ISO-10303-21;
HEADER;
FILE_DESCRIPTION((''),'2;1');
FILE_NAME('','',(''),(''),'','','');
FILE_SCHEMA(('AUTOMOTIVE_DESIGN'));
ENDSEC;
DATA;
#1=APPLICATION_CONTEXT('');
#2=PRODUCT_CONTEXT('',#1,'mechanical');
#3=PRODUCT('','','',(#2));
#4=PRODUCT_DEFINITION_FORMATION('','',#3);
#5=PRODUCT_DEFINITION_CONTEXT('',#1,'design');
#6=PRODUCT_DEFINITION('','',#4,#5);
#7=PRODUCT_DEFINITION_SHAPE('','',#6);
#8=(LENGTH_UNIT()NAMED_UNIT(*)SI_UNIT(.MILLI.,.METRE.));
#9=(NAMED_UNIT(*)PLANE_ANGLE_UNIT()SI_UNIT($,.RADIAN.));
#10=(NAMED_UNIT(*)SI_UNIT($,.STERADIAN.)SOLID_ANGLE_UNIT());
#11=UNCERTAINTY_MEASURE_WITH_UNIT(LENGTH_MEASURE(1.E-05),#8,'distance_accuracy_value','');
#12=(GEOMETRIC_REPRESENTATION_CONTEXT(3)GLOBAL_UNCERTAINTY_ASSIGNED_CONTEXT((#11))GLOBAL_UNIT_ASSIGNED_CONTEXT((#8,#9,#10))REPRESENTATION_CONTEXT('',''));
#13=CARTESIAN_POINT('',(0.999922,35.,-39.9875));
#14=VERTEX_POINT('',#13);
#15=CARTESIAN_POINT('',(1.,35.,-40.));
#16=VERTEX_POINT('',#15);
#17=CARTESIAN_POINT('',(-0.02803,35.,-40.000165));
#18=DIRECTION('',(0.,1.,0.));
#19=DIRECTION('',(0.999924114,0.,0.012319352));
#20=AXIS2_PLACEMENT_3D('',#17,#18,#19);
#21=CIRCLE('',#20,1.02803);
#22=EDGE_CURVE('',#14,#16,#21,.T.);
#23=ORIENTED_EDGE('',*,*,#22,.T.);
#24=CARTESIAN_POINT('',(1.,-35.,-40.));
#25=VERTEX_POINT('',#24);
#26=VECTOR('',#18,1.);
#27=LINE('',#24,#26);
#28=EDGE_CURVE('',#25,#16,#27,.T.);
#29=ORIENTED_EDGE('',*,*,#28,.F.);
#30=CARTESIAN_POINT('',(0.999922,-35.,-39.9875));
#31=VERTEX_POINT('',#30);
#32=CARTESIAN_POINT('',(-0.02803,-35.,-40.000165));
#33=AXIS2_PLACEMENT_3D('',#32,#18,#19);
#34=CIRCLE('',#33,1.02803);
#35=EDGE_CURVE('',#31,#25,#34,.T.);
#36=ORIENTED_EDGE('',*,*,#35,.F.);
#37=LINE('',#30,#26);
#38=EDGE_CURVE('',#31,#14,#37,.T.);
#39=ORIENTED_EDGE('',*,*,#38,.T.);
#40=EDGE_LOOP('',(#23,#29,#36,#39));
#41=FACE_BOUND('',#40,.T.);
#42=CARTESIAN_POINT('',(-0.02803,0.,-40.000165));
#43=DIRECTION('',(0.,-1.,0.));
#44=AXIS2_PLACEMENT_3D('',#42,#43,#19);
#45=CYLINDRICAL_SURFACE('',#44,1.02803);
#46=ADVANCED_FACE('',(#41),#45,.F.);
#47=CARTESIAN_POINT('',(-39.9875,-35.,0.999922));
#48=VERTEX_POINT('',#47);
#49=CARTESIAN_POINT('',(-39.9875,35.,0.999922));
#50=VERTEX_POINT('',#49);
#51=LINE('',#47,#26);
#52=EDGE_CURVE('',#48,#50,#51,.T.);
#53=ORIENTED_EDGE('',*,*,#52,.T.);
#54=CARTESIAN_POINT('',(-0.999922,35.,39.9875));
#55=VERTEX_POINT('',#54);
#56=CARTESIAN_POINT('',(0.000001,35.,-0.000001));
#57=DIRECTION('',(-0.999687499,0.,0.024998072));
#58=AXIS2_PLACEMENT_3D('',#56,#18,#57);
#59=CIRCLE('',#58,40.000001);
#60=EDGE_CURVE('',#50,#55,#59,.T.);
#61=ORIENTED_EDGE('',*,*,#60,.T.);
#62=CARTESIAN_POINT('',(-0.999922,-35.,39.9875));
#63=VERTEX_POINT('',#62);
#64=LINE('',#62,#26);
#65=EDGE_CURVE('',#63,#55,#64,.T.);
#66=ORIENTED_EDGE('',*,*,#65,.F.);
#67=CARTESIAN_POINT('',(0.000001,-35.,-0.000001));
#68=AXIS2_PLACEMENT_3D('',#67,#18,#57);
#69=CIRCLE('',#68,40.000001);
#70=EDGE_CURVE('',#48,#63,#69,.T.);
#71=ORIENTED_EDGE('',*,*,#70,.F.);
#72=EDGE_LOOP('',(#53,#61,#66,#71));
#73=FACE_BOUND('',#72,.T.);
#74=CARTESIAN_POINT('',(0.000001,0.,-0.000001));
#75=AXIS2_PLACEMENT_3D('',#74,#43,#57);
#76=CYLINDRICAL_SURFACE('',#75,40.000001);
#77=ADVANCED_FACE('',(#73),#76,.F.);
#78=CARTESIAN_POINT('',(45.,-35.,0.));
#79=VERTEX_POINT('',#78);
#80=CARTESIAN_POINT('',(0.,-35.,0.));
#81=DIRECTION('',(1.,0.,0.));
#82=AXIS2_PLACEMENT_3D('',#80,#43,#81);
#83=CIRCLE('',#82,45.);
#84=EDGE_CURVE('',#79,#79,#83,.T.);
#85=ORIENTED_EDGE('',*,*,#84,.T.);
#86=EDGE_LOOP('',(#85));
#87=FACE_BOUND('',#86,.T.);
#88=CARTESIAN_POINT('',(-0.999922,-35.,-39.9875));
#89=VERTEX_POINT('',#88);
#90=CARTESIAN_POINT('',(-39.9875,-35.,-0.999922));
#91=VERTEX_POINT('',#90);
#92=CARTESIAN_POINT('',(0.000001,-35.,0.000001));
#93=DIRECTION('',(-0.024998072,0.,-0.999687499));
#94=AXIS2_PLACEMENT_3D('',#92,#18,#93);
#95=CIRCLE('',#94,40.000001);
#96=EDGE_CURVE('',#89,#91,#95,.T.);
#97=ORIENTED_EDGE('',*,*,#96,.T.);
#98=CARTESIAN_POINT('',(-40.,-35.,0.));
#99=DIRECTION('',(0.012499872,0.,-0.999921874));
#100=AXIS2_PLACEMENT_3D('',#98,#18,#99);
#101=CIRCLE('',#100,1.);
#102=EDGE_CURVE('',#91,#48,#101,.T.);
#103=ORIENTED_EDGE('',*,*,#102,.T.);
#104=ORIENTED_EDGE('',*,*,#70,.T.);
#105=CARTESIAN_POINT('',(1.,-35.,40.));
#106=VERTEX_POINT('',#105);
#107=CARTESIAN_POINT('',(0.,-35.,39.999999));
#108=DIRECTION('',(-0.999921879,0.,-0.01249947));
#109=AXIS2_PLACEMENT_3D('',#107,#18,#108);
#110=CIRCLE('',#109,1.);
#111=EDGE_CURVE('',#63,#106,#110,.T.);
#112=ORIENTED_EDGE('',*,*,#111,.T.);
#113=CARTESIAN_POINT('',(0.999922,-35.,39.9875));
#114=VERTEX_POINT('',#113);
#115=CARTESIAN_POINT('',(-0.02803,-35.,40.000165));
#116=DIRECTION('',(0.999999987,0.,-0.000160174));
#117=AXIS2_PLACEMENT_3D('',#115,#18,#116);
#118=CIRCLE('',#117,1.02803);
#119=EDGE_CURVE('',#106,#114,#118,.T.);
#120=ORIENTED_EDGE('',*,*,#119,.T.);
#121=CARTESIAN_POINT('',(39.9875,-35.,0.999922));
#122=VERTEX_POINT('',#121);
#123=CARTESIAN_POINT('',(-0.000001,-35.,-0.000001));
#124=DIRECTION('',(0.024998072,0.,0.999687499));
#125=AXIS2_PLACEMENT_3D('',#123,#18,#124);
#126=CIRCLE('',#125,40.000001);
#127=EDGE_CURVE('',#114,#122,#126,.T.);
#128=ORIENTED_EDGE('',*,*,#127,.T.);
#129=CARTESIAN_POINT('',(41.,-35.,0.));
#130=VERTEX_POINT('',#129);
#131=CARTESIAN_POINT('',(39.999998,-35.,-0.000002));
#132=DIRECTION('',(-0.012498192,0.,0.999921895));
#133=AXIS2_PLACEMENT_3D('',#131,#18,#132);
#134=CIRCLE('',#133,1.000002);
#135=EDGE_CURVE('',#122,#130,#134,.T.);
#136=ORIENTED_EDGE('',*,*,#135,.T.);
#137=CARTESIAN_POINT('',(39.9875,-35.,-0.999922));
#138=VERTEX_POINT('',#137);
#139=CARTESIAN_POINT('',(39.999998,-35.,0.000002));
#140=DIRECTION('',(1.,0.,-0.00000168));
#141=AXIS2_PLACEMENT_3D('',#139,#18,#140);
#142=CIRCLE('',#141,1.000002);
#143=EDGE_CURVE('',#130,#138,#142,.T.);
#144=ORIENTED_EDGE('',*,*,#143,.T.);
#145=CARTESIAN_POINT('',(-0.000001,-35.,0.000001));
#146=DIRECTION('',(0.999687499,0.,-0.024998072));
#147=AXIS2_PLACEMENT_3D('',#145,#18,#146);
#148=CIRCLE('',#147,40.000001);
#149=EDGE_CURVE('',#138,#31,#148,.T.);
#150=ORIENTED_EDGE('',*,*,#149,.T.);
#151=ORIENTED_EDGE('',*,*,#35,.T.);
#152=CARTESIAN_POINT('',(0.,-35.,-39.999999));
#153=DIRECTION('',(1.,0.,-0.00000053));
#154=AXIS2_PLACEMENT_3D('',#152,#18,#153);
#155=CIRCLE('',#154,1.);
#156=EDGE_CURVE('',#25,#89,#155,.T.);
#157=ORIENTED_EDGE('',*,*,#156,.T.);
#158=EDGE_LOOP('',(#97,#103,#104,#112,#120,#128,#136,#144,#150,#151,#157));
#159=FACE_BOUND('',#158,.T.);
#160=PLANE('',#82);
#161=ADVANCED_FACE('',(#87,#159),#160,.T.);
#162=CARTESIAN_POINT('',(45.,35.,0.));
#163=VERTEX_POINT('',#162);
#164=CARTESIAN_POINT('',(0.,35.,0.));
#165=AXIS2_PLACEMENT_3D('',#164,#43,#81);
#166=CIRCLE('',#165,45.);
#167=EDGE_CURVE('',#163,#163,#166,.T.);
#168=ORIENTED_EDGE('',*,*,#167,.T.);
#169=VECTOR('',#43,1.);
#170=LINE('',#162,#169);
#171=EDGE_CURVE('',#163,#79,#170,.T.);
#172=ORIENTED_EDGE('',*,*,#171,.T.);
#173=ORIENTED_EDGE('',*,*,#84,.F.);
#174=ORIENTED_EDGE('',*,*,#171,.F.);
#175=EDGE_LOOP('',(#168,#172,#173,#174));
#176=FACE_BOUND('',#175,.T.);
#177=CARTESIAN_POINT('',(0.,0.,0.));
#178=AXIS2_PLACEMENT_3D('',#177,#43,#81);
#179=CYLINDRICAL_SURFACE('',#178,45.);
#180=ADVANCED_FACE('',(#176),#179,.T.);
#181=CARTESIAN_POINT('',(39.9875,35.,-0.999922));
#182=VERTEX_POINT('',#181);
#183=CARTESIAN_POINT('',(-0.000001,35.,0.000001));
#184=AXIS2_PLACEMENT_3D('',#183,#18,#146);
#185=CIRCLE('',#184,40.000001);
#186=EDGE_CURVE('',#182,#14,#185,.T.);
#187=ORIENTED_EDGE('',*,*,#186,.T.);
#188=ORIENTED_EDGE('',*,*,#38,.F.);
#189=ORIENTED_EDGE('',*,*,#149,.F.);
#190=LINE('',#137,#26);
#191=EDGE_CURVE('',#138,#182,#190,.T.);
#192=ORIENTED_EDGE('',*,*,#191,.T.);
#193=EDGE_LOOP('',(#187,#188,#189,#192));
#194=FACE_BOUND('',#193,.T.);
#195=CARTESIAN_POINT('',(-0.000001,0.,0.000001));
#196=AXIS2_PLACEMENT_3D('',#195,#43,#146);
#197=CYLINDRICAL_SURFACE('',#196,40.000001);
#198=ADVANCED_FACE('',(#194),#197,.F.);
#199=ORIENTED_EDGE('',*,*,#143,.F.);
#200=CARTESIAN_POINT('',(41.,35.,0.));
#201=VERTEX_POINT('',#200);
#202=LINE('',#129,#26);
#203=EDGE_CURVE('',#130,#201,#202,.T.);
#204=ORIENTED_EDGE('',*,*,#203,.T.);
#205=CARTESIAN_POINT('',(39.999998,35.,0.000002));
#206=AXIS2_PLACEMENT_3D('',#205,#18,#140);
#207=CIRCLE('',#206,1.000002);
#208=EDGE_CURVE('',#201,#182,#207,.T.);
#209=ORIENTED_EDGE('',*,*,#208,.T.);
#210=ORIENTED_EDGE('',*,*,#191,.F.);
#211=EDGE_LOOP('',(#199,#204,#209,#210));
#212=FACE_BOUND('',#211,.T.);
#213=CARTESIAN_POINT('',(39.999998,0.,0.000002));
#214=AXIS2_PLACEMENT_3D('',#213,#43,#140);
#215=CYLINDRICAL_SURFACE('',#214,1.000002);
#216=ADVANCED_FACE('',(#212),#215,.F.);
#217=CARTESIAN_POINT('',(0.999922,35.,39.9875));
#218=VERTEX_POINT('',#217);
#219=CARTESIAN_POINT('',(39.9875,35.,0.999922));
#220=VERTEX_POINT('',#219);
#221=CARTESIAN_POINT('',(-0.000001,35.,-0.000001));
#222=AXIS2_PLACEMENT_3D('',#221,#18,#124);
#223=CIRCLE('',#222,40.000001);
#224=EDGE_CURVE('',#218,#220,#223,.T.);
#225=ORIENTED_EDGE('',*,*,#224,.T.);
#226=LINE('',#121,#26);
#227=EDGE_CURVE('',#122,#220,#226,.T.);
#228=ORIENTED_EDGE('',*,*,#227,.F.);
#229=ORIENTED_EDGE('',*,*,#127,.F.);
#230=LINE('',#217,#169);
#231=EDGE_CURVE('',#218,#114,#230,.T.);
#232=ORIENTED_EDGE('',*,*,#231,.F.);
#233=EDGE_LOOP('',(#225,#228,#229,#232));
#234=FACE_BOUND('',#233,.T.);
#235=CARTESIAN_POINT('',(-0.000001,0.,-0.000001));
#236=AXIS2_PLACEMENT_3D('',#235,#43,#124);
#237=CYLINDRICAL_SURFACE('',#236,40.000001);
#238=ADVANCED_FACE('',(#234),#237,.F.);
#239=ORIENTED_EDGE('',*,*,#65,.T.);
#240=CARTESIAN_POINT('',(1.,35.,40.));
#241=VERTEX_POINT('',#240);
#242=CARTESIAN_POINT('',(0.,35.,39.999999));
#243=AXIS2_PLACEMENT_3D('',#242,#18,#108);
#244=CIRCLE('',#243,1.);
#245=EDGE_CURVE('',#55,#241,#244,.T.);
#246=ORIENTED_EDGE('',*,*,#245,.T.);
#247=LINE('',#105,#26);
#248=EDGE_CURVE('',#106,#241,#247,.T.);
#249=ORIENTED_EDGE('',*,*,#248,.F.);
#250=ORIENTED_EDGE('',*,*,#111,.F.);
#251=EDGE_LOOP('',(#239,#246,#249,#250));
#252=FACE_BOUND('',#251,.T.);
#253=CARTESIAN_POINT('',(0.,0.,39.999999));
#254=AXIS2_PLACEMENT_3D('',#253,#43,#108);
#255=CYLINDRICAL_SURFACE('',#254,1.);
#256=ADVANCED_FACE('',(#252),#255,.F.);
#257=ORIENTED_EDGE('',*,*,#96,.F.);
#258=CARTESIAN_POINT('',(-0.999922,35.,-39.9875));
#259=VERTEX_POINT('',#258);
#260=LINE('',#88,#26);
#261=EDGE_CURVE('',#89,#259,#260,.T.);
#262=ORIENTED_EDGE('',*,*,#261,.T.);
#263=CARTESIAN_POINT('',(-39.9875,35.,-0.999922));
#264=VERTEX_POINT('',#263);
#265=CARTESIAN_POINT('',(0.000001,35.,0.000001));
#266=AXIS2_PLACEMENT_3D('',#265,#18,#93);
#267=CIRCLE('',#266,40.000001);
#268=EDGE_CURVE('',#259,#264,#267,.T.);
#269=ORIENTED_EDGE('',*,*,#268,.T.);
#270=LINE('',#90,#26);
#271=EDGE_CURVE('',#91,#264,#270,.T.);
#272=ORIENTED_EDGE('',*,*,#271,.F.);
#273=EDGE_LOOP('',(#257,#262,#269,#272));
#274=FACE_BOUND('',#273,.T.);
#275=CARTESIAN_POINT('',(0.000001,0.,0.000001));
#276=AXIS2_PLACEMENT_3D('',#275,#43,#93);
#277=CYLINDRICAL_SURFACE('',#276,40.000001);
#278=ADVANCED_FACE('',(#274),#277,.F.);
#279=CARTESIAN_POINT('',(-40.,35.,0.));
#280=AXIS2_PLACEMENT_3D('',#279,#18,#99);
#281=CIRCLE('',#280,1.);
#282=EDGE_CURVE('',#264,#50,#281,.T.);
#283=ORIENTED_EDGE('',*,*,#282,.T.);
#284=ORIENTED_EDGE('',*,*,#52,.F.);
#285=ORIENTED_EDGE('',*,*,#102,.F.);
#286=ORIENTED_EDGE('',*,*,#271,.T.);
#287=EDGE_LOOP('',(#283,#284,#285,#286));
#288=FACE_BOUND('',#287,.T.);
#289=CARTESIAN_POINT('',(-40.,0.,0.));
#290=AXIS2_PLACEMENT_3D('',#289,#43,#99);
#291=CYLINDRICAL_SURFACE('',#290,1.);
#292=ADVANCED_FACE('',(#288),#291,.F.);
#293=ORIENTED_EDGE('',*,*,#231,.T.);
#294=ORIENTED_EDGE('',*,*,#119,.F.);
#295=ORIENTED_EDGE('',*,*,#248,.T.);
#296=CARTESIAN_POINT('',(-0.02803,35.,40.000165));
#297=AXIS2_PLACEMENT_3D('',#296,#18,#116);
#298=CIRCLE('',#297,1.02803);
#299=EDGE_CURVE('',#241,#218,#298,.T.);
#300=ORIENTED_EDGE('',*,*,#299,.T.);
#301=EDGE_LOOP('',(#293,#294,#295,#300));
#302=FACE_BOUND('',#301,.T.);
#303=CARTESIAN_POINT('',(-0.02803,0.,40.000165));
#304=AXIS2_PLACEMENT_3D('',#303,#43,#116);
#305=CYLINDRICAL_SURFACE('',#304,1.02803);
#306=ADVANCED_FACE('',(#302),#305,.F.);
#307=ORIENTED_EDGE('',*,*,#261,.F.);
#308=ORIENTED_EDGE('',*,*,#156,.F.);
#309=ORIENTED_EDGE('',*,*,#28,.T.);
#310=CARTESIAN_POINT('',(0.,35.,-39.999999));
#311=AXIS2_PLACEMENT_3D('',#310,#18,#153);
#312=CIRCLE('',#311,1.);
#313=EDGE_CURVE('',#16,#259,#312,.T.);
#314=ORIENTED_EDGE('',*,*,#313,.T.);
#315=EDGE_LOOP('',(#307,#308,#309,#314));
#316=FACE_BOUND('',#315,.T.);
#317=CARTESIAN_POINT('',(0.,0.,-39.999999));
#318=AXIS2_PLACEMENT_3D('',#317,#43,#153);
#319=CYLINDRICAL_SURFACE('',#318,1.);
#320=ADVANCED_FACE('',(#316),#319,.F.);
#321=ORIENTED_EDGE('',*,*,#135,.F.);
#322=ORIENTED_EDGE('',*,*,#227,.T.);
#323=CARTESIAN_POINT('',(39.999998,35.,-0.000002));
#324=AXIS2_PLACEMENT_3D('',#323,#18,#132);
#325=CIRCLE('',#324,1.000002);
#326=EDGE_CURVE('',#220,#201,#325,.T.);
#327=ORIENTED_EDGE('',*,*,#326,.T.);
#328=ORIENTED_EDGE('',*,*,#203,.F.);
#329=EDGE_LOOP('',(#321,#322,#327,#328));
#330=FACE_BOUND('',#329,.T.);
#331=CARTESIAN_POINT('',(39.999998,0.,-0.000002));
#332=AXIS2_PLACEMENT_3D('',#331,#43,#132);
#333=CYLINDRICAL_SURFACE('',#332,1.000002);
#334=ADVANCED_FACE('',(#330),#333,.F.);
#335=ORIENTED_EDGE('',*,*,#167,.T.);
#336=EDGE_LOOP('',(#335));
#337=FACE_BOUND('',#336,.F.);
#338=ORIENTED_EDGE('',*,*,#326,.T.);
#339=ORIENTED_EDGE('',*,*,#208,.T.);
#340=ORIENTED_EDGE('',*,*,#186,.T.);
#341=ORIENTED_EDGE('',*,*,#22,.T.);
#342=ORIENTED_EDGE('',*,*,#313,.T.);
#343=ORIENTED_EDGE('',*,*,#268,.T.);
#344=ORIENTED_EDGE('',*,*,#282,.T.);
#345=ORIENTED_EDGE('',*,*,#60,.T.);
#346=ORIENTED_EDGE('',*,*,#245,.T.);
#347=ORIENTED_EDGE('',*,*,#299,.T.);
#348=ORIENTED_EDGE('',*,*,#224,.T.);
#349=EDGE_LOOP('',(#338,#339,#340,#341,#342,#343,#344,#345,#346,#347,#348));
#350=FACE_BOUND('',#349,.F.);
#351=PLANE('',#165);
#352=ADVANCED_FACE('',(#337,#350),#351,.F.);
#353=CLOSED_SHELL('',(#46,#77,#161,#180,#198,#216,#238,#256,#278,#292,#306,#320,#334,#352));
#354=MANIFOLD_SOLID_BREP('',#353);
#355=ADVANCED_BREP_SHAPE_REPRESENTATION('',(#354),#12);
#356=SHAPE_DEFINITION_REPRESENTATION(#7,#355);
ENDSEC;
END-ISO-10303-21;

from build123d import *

# Parameters (mm, degrees)
F0_R     = 45
F1_DEPTH = 35


with BuildPart() as f1:
    # F0 (on Front) → F1 (new body, symmetric)
    with BuildSketch(Plane.XZ):
        Circle(F0_R)
        with BuildLine():
            ThreePointArc((0.999922, 39.9875), (28.284271, 28.284271), (39.9875, 0.999922))
            ThreePointArc((39.9875, 0.999922), (40.702673, 0.711512), (41, 0))
            ThreePointArc((41, 0), (40.702673, -0.711512), (39.9875, -0.999922))
            ThreePointArc((39.9875, -0.999922), (28.284271, -28.284271), (0.999922, -39.9875))
            ThreePointArc((0.999922, -39.9875), (0.99998, -39.99375), (1, -40))
            ThreePointArc((1, -40), (-0.00625, -40.99998), (-0.999922, -39.9875))
            ThreePointArc((-0.999922, -39.9875), (-28.284271, -28.284271), (-39.9875, -0.999922))
            ThreePointArc((-39.9875, -0.999922), (-41, 0), (-39.9875, 0.999922))
            ThreePointArc((-39.9875, 0.999922), (-28.284271, 28.284271), (-0.999922, 39.9875))
            ThreePointArc((-0.999922, 39.9875), (-0.00625, 40.99998), (1, 40))
            ThreePointArc((1, 40), (0.99998, 39.99375), (0.999922, 39.9875))
        make_face(mode=Mode.SUBTRACT)
    extrude(amount=F1_DEPTH, both=True)


solid = f1.part
